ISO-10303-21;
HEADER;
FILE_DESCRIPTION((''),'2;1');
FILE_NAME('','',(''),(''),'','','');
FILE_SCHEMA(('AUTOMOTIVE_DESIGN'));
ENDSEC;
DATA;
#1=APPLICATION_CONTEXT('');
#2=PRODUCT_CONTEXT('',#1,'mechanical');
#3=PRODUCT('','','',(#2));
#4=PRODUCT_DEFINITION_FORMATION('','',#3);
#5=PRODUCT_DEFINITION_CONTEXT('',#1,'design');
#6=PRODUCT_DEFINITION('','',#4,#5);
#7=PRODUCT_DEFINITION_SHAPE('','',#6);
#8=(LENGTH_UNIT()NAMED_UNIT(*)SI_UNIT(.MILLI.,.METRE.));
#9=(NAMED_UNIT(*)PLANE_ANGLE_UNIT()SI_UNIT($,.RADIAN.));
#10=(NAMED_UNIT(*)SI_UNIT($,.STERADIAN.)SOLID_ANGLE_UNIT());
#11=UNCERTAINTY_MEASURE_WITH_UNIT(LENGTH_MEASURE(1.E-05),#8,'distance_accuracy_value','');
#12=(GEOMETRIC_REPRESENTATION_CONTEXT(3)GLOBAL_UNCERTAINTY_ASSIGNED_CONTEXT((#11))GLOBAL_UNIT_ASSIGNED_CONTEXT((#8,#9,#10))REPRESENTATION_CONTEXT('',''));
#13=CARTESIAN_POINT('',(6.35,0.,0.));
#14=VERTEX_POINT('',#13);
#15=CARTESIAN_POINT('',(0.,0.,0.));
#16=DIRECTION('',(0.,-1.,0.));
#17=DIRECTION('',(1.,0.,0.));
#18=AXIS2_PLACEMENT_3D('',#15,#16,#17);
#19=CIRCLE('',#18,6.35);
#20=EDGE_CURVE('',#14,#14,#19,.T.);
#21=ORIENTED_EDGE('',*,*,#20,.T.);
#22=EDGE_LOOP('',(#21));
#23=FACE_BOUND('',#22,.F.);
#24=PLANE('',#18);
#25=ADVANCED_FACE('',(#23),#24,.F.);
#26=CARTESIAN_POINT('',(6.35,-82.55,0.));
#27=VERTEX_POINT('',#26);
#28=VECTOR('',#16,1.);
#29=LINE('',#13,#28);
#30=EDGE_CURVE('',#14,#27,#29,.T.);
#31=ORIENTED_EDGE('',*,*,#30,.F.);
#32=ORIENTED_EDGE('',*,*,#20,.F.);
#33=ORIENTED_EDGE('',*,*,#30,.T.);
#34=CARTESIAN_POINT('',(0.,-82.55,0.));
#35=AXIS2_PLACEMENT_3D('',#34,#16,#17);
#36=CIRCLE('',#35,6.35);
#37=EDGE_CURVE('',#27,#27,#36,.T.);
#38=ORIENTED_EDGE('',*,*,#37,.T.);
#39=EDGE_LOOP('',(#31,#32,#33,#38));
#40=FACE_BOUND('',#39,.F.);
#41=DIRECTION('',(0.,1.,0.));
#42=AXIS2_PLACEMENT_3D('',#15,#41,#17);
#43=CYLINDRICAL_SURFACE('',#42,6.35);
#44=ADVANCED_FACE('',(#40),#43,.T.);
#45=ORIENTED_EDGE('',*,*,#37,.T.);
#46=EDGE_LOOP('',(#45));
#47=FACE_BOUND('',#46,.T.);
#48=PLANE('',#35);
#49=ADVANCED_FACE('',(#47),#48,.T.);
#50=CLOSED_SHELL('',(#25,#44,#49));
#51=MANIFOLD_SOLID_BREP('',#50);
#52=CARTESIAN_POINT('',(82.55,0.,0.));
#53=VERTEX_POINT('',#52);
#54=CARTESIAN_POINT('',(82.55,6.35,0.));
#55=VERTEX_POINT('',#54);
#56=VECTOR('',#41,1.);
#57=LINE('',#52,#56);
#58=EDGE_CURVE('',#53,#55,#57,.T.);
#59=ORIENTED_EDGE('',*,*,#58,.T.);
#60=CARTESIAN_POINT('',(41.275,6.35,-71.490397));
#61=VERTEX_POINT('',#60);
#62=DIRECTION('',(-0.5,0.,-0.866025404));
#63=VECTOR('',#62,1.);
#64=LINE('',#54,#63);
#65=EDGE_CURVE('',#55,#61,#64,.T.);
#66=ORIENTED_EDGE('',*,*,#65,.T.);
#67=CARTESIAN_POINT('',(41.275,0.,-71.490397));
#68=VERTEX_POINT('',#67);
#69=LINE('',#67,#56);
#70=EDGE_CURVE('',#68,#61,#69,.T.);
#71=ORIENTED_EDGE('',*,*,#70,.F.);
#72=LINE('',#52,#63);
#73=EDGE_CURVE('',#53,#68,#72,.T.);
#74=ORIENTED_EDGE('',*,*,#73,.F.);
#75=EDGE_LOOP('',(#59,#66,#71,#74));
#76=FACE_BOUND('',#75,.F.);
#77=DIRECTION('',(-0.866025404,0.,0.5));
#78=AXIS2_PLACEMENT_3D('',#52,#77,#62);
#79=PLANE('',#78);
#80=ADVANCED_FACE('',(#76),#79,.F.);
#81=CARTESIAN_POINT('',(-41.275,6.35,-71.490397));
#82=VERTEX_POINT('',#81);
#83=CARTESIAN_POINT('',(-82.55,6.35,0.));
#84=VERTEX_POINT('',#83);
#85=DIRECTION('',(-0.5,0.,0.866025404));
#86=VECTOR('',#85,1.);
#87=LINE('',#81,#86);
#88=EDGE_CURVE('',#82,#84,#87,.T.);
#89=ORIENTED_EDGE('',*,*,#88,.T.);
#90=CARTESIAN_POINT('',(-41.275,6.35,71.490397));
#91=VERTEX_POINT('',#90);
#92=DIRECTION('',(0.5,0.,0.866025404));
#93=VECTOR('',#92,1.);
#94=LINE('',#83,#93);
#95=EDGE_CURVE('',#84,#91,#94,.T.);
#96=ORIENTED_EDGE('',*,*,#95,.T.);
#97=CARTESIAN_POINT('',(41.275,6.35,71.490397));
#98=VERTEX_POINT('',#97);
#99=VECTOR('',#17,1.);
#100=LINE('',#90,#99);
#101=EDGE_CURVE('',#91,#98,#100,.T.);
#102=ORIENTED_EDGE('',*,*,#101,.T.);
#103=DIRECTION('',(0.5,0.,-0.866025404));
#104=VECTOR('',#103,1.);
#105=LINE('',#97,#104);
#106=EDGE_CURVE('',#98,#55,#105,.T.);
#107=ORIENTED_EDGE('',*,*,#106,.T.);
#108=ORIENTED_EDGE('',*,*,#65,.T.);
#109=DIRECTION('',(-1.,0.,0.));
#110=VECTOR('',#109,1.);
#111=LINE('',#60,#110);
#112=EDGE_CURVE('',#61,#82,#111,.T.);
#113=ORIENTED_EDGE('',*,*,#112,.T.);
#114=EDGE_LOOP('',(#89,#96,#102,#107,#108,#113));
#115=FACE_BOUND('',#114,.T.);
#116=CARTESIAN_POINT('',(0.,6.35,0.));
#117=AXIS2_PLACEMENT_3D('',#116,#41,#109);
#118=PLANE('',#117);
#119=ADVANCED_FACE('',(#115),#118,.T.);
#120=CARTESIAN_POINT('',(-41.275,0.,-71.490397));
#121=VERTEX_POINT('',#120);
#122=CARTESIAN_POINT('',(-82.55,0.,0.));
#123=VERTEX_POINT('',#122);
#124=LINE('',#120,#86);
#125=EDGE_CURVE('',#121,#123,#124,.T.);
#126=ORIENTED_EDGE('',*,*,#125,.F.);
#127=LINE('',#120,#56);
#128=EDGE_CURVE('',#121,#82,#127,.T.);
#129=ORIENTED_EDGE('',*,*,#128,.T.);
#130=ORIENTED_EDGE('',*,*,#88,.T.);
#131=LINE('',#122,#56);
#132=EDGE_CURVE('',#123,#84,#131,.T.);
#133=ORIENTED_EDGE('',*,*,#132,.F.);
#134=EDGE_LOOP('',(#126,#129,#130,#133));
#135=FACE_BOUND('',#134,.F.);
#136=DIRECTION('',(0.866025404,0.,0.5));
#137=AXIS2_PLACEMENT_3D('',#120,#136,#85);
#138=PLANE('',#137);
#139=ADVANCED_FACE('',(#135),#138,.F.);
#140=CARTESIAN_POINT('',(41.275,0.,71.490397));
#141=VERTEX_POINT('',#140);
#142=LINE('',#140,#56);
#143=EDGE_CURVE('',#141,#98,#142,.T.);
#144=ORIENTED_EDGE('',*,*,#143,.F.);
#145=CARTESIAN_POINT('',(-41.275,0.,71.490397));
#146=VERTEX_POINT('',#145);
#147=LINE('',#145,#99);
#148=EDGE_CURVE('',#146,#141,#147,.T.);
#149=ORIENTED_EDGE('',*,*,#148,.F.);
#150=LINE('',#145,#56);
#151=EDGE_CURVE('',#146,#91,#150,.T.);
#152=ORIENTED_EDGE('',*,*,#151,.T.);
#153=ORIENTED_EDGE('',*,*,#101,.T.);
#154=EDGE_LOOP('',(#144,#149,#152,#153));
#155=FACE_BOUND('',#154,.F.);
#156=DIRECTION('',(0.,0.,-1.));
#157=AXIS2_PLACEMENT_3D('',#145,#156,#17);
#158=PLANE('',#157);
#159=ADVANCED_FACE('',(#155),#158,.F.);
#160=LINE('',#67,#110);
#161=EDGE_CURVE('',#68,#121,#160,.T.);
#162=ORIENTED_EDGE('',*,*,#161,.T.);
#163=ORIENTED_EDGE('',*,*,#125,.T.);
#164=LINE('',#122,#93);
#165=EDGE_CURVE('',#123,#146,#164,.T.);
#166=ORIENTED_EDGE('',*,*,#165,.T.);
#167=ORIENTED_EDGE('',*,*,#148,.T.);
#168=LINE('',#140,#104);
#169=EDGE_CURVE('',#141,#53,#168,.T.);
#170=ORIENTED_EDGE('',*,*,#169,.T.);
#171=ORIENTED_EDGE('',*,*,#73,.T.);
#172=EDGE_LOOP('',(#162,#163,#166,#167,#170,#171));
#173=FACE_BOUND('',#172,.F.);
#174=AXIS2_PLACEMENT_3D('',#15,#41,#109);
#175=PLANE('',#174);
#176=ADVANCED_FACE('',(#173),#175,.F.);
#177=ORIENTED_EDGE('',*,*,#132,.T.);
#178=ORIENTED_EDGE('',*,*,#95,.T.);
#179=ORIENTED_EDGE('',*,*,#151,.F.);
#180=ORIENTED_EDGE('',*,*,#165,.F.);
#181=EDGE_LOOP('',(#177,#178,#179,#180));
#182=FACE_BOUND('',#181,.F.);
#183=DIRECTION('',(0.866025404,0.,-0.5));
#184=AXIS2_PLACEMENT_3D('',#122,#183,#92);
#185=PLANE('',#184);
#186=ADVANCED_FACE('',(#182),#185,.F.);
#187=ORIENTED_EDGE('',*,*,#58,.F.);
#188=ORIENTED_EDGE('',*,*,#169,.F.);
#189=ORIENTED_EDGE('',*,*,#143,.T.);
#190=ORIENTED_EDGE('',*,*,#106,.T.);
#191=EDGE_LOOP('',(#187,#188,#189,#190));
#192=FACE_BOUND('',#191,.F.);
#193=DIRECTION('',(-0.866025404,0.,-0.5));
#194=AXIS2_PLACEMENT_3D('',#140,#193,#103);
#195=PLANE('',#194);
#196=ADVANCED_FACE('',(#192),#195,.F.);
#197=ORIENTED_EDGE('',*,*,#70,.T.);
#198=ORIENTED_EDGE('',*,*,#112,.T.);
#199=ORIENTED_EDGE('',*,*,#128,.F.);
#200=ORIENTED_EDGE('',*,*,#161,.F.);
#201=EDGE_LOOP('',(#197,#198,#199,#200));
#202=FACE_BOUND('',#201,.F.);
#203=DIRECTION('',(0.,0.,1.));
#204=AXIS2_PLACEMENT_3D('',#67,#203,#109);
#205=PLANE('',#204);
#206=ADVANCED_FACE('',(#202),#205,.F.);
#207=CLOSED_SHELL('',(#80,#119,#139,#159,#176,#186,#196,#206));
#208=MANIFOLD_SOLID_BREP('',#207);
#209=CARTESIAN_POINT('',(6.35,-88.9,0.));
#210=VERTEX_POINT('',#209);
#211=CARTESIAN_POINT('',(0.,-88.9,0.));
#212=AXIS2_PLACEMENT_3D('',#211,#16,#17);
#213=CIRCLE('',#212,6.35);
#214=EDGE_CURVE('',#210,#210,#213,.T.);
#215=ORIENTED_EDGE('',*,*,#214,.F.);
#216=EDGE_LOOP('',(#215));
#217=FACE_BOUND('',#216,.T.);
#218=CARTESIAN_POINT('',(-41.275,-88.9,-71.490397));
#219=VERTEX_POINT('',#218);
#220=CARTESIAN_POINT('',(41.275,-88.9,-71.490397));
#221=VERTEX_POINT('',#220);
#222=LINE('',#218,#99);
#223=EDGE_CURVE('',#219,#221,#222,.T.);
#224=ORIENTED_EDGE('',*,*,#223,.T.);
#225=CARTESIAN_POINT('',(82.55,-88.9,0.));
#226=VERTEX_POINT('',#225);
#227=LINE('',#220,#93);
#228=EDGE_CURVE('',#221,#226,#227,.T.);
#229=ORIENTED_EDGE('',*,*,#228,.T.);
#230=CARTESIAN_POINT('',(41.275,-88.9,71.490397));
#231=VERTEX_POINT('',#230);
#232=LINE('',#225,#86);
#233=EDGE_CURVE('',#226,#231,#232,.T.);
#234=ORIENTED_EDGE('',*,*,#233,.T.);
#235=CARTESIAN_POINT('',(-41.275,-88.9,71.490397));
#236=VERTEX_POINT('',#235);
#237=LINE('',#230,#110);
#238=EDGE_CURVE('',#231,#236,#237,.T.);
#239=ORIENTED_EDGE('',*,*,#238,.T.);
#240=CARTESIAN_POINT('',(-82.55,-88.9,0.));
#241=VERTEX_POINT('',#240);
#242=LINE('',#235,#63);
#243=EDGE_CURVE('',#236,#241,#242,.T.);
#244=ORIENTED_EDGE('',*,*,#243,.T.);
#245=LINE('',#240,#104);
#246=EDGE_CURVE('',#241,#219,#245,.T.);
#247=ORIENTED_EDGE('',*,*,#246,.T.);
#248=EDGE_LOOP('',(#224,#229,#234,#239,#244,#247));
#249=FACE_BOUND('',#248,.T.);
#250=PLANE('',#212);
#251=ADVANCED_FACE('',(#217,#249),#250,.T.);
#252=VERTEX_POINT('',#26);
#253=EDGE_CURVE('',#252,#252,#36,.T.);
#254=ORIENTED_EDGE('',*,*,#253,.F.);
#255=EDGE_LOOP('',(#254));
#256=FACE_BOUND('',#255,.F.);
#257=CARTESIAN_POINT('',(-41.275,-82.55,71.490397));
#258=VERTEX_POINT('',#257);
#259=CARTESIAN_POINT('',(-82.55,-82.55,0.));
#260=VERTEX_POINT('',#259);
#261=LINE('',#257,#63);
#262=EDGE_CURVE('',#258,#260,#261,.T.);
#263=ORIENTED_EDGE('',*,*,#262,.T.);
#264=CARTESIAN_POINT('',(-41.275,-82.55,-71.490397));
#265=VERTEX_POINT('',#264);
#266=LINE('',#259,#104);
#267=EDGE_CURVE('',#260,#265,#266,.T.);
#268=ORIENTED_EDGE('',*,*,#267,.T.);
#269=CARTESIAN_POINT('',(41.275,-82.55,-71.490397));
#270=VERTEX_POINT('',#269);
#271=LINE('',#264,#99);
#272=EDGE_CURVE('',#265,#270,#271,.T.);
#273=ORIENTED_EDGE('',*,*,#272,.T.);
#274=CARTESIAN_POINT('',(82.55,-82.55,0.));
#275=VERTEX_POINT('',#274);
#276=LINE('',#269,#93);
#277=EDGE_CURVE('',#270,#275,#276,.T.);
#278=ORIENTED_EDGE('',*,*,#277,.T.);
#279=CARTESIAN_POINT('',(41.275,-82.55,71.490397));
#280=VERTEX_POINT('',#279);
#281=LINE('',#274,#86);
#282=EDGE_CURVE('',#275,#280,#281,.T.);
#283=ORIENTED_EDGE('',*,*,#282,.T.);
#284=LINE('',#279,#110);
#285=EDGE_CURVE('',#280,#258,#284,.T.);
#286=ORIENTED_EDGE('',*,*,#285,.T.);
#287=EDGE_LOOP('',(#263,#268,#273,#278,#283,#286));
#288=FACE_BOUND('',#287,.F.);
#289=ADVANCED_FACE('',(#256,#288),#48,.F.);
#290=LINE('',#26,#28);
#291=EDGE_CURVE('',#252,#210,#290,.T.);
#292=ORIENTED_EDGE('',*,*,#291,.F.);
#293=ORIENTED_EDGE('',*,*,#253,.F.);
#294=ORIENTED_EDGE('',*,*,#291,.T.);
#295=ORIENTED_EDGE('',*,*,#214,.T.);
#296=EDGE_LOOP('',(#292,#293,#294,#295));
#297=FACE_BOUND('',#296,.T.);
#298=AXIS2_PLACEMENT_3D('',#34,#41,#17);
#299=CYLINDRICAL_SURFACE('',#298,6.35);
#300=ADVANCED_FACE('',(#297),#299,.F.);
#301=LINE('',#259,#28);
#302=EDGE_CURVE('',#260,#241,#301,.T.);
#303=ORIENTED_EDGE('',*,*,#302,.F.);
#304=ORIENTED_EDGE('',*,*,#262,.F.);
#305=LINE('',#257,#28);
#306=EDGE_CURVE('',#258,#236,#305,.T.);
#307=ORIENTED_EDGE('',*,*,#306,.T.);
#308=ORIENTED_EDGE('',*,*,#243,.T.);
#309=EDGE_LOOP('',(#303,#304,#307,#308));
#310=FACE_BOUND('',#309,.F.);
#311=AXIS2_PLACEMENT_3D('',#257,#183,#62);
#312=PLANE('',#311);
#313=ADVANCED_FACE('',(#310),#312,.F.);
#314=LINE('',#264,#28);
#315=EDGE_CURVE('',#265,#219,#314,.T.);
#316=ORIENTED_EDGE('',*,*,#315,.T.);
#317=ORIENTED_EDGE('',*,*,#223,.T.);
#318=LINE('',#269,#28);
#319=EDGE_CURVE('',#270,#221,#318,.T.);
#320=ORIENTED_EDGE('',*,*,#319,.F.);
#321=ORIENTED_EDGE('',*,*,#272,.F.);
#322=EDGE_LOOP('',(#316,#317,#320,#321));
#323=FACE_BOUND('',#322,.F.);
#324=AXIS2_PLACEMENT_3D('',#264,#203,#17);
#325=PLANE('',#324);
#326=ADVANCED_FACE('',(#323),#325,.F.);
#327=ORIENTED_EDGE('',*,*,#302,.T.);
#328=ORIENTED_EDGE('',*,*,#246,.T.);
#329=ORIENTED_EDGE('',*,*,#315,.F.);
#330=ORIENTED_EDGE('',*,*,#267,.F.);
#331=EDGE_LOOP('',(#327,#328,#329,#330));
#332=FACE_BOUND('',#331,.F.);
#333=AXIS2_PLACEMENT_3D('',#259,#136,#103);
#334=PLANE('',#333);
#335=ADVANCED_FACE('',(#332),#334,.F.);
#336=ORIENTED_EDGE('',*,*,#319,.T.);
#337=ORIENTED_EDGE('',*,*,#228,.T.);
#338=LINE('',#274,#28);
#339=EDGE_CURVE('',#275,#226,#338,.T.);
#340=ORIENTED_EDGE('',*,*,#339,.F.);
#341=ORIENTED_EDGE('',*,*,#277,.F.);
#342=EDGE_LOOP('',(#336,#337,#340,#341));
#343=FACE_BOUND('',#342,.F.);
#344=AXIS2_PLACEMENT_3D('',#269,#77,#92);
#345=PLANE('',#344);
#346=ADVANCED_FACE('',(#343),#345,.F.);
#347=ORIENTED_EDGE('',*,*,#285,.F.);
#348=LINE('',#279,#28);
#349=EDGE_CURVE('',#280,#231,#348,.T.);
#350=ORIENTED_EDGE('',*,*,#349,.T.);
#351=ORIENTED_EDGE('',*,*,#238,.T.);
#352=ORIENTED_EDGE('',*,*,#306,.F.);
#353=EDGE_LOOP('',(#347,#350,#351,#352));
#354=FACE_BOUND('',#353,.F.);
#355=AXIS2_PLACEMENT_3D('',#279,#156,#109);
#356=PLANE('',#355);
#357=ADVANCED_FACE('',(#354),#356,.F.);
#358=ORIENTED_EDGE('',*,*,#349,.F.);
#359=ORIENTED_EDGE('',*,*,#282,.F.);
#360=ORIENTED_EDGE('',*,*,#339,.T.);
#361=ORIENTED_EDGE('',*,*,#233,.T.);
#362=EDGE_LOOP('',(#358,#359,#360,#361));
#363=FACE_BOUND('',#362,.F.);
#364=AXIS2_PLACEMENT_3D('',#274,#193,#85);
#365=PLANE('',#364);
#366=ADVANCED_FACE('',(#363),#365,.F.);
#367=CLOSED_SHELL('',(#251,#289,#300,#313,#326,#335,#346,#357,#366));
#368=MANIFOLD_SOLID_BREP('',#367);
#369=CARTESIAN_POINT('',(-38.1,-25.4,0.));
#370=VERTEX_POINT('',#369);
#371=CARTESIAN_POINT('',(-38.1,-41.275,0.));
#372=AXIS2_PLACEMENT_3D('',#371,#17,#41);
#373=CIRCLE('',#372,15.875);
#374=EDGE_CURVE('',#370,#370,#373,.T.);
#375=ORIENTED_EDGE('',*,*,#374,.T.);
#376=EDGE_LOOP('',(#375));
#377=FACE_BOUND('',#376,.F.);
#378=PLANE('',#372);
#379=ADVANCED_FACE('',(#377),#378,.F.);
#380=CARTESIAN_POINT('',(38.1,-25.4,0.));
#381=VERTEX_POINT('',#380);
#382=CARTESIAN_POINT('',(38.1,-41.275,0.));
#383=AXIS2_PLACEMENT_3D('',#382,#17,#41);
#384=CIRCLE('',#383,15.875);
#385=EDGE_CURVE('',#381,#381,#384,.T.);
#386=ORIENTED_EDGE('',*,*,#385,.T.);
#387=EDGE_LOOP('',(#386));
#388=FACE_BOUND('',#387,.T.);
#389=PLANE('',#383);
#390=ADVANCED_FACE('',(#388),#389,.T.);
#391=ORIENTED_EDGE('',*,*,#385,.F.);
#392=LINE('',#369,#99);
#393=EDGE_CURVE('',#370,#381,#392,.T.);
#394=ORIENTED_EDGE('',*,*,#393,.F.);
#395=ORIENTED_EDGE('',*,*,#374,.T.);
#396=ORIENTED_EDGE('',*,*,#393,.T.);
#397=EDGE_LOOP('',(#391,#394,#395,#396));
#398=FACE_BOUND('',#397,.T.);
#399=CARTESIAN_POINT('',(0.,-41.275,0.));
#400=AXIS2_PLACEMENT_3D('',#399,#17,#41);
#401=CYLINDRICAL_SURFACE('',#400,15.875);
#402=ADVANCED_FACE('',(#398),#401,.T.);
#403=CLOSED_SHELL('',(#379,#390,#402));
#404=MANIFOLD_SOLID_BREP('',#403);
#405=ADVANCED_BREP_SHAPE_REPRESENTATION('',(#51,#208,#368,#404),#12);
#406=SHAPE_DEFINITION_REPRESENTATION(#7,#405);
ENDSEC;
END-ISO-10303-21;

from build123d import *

# Parameters (mm, degrees)
F0_R     = 6.35
F1_DEPTH = 82.55
F2_R     = 6.35
F3_DEPTH = 6.35
F5_DEPTH = 6.35
F6_R     = 15.875
F7_DEPTH = 38.1


with BuildPart() as f1:
    # F0 (on Front) → F1 (new body)
    with BuildSketch(Plane.XZ):
        Circle(F0_R)
    extrude(amount=F1_DEPTH)


with BuildPart() as f3:
    # F2 (on face) → F3 (new body)
    with BuildSketch(Plane.XZ.offset(82.55)):
        Polygon((41.275, 71.490397), (-41.275, 71.490397), (-82.55, 0), (-41.275, -71.490397), (41.275, -71.490397), (82.55, 0), align=None)
        Circle(F2_R, mode=Mode.SUBTRACT)
    extrude(amount=F3_DEPTH)


with BuildPart() as f5:
    # F4 (on face) → F5 (new body)
    with BuildSketch(Plane(origin=(0, 0, 0), x_dir=(-1, 0, 0), z_dir=(0, 1, 0))):
        Polygon((82.55, 0), (41.275, 71.490397), (-41.275, 71.490397), (-82.55, 0), (-41.275, -71.490397), (41.275, -71.490397), align=None)
    extrude(amount=F5_DEPTH)


with BuildPart() as f7:
    # F6 (on Right) → F7 (new body, symmetric)
    with BuildSketch(Plane.YZ):
        with Locations((-41.275, 0)):
            Circle(F6_R)
    extrude(amount=F7_DEPTH, both=True)


solid = Compound([f1.part, f3.part, f5.part, f7.part])
